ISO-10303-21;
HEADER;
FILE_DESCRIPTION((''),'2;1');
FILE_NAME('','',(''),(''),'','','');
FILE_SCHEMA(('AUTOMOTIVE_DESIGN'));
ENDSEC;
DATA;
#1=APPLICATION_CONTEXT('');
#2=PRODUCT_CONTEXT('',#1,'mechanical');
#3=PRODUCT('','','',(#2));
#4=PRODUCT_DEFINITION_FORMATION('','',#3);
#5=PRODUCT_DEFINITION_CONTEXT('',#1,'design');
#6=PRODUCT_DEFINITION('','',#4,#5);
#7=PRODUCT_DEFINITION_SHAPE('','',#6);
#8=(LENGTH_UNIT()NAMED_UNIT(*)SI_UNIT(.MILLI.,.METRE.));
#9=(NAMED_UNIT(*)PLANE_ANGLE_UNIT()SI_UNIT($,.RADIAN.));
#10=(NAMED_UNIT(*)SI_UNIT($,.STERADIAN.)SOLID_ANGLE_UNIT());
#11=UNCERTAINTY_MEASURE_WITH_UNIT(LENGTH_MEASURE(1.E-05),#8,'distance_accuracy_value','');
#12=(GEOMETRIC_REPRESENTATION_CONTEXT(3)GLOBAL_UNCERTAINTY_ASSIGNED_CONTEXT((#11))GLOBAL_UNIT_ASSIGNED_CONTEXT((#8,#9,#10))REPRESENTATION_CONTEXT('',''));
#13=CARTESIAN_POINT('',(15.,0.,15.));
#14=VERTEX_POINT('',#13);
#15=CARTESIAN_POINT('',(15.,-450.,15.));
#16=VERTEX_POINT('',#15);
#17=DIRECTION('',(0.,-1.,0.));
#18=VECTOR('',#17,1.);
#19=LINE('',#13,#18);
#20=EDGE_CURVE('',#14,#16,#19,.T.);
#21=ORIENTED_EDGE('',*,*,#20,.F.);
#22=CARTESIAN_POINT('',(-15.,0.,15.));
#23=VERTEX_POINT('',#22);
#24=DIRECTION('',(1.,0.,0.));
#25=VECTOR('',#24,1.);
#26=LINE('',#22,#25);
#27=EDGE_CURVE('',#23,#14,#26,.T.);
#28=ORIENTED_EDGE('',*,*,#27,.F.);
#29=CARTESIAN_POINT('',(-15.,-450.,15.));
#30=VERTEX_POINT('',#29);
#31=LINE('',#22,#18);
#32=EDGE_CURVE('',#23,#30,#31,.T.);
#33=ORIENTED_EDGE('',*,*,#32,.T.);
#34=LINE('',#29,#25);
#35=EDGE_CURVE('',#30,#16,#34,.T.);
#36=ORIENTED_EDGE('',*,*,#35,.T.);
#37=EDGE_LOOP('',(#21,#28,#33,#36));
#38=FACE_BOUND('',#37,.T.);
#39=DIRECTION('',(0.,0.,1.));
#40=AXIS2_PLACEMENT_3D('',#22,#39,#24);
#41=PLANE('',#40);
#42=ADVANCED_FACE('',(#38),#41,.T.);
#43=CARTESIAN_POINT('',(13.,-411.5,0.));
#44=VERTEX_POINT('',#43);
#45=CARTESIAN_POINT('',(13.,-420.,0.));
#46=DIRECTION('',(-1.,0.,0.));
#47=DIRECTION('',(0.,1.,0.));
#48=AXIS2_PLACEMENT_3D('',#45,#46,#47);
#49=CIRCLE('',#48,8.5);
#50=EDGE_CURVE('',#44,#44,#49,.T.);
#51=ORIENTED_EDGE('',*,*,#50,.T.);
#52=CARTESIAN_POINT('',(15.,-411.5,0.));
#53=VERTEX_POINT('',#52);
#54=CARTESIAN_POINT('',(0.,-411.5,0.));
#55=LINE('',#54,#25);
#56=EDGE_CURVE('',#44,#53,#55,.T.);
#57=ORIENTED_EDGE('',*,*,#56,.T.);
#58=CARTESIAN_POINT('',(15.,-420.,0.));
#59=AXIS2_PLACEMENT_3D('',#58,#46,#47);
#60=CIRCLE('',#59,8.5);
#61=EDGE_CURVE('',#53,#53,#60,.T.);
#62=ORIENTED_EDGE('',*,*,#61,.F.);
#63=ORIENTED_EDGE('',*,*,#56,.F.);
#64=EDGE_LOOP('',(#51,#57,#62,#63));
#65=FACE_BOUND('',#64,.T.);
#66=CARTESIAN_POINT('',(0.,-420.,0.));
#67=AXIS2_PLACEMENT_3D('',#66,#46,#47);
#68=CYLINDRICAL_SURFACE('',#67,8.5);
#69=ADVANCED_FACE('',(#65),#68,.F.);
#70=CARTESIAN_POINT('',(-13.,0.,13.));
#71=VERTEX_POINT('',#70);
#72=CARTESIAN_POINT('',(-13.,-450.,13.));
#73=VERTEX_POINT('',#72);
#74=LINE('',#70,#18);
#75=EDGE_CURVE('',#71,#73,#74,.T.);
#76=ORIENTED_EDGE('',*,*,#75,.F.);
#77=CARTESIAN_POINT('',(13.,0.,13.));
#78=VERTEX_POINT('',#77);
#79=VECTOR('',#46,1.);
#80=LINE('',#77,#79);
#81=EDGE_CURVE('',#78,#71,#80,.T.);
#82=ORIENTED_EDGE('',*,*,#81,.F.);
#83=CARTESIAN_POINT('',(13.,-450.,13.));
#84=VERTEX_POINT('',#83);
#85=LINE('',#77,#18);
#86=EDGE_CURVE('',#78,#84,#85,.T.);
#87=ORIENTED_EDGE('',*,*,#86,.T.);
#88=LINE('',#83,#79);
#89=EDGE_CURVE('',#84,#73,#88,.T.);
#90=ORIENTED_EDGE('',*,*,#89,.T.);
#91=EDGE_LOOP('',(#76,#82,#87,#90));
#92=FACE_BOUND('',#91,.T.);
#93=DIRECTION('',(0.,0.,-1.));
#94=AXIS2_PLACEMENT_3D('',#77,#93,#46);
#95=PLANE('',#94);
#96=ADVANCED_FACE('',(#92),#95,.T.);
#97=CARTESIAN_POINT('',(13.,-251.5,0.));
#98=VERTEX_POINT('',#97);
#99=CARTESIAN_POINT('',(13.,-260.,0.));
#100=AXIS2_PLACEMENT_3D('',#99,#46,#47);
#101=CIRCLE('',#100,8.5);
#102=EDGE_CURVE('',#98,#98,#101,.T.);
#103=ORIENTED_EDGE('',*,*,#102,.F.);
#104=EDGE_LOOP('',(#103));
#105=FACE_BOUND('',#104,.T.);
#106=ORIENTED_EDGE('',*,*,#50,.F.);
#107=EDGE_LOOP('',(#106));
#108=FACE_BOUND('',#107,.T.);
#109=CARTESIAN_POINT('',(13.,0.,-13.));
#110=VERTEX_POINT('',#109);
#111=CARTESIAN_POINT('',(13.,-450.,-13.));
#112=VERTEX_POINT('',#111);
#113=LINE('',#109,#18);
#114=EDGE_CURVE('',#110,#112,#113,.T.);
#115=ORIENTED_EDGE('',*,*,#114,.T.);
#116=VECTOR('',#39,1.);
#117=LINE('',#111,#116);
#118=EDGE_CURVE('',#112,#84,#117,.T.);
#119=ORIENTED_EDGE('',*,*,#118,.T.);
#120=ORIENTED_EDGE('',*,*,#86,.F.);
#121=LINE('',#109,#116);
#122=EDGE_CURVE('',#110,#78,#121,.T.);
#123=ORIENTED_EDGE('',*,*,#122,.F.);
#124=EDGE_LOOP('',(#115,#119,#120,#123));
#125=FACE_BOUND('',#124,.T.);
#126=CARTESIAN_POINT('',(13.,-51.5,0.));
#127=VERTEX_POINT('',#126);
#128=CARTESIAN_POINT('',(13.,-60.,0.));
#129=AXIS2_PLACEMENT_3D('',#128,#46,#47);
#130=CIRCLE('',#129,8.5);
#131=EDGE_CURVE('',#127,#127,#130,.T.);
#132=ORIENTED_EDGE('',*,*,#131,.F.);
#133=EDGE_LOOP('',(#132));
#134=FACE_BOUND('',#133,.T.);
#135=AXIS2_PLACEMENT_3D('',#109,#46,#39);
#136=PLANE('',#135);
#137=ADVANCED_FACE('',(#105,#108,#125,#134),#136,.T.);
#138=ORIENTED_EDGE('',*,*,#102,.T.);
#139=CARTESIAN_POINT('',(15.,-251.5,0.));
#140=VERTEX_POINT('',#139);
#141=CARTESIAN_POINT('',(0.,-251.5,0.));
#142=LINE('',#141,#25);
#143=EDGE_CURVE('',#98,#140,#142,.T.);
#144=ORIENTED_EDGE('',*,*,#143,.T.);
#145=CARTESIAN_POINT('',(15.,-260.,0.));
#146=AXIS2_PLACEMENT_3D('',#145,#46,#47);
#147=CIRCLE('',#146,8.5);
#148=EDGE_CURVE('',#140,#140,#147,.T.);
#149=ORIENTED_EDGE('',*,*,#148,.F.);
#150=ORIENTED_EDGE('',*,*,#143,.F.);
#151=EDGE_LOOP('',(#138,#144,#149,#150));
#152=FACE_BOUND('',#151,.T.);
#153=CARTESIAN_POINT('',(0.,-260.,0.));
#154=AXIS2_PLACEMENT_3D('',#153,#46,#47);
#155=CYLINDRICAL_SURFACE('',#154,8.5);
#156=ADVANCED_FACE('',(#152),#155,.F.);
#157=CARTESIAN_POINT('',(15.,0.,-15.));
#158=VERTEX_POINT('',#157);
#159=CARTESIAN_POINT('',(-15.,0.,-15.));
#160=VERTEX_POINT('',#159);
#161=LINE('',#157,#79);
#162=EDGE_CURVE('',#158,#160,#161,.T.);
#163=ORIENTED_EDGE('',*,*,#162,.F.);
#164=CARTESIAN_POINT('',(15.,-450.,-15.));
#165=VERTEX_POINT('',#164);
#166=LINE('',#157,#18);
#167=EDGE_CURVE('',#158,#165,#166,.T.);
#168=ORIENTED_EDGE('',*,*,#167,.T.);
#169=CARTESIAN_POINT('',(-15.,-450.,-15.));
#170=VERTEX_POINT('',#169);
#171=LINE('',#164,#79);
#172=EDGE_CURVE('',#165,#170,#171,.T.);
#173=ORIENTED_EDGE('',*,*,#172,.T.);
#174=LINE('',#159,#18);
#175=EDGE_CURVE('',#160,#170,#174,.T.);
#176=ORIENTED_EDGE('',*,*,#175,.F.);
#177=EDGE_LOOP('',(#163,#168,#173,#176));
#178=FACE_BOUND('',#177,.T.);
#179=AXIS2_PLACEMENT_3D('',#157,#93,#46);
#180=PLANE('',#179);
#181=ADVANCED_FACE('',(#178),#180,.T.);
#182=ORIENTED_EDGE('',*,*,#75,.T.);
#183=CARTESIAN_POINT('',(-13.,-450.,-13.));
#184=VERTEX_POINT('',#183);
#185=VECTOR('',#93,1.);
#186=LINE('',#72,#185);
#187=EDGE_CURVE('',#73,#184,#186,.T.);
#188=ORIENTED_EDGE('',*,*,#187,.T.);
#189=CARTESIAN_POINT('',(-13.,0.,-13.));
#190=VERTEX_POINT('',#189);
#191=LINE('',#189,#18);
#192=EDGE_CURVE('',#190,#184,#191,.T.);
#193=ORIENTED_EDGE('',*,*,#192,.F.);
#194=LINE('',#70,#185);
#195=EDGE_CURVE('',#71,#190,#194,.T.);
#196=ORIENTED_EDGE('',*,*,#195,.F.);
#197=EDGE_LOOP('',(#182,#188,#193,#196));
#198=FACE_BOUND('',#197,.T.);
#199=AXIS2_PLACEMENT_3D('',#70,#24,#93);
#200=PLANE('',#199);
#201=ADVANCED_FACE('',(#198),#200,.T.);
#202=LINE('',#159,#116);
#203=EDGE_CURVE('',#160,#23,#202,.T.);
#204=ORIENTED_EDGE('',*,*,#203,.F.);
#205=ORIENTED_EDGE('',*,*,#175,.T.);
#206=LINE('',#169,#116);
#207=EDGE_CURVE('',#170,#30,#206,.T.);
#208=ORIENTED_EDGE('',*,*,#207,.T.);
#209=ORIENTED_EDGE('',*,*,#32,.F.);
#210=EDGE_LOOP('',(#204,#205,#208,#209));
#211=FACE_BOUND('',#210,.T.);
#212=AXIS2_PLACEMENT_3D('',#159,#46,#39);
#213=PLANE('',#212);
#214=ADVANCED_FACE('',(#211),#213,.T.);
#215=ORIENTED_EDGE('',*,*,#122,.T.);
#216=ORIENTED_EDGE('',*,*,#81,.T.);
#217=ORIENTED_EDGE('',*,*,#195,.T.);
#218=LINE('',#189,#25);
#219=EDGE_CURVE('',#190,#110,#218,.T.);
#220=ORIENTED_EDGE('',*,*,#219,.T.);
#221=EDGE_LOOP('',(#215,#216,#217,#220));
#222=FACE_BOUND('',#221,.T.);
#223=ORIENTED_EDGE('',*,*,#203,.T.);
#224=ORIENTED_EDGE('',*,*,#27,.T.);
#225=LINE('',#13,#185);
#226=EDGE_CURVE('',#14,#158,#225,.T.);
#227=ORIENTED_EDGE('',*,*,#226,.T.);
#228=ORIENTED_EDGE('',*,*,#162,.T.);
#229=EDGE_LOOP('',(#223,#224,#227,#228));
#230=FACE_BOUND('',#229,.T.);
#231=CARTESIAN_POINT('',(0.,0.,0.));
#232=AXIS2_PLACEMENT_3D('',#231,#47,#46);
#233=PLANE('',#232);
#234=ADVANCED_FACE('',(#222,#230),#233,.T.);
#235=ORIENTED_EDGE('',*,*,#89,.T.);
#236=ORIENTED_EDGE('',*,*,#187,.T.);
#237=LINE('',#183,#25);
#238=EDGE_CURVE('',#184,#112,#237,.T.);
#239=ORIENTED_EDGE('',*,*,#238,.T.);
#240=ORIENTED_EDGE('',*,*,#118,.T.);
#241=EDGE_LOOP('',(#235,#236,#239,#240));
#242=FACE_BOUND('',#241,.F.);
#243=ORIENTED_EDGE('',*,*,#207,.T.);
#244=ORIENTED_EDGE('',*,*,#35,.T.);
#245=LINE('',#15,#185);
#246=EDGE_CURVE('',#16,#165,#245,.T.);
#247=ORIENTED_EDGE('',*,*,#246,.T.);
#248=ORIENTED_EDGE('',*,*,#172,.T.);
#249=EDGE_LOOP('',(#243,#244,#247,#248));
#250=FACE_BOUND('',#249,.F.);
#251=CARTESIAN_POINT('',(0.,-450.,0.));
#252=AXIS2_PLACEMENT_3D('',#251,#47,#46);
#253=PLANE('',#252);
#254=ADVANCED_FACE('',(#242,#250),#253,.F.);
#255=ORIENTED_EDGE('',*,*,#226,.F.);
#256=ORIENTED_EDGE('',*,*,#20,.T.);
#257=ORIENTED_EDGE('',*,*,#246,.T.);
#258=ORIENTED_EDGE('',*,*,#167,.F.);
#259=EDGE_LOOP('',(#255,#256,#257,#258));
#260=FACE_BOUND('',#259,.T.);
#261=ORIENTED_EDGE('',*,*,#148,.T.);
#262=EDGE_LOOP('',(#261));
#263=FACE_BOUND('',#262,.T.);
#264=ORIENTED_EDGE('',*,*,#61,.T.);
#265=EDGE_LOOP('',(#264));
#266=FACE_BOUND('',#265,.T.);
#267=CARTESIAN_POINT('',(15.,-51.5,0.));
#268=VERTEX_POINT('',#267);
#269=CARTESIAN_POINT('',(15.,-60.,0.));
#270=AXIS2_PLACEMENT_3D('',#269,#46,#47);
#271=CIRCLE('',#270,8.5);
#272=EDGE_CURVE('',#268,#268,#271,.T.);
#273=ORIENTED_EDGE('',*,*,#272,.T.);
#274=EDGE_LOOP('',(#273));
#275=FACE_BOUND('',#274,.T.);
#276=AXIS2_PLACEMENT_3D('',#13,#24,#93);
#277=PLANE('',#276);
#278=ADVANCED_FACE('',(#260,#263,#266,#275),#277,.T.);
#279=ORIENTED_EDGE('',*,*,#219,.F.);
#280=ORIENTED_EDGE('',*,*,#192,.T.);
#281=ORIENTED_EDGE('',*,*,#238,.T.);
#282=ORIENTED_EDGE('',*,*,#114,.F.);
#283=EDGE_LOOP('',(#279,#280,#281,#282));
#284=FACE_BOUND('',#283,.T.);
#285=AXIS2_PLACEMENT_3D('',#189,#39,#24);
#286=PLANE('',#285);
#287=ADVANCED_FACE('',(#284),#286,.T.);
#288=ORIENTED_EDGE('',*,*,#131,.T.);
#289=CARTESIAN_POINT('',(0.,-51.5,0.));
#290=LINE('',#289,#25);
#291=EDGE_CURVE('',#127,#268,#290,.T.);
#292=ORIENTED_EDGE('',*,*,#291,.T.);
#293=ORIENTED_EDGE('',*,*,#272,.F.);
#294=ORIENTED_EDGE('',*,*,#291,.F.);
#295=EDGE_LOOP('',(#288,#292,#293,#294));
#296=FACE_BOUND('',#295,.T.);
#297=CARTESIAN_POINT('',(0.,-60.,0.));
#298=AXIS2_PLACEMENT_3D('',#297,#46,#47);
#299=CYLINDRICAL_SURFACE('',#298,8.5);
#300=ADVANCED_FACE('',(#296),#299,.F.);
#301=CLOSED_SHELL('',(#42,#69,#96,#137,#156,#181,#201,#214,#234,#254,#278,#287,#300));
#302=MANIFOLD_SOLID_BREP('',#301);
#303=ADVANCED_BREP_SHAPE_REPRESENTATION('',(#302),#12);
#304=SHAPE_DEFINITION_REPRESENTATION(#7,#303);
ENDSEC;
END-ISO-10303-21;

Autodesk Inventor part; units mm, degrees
ref_plane "YZ Plane" through (0, 0, 0) normal (1, 0, 0) x (0, 1, 0)
ref_plane "XZ Plane" through (0, 0, 0) normal (0, 1, 0) x (-1, 0, 0)
ref_plane "XY Plane" through (0, 0, 0) normal (0, 0, 1) x (1, 0, 0)
sketch "Sketch9" plane through (0, 0, 0) normal (0, 1, 0) x (-1, 0, 0)
  line L0 (15, 15) -> (-15, 15)
  line L1 (-15, 15) -> (-15, -15)
  line L2 (-15, -15) -> (15, -15)
  line L3 (15, -15) -> (15, 15)
  line L4 (15, 15) -> (-15, -15) construction
  line L5 (-15, 15) -> (15, -15) construction
  line L6 (-13, 13) -> (13, 13)
  line L7 (13, 13) -> (13, -13)
  line L8 (13, -13) -> (-13, -13)
  line L9 (-13, -13) -> (-13, 13)
  point P0 (0, 0)
  dimension "d172" = 30
  dimension "d173" = 30
  dimension "d174" = 2
extrude "Extrusion3" add sketch "Sketch9" against normal blind 450
sketch "Sketch10" plane through (0, 0, 0) normal (1, 0, 0) x (0, 1, 0)
  line L0 (0, 15) -> (0, -15) construction
  line L1 (0, 15) -> (-450, 15) construction
  line L2 (-450, -15) -> (-450, 15) construction
  line L3 (0, -15) -> (-450, -15) construction
  line L4 (-68.5, 8.5) -> (-51.5, 8.5)
  line L5 (-51.5, 8.5) -> (-51.5, -8.5)
  line L6 (-51.5, -8.5) -> (-68.5, -8.5)
  line L7 (-68.5, -8.5) -> (-68.5, 8.5)
  line L8 (-68.5, 8.5) -> (-51.5, -8.5) construction
  line L9 (-51.5, 8.5) -> (-68.5, -8.5) construction
  line L10 (-268.5, 8.5) -> (-251.5, 8.5)
  line L11 (-251.5, 8.5) -> (-251.5, -8.5)
  line L12 (-251.5, -8.5) -> (-268.5, -8.5)
  line L13 (-268.5, -8.5) -> (-268.5, 8.5)
  line L14 (-268.5, 8.5) -> (-251.5, -8.5) construction
  line L15 (-251.5, 8.5) -> (-268.5, -8.5) construction
  line L16 (-428.5, 8.5) -> (-411.5, 8.5)
  line L17 (-411.5, 8.5) -> (-411.5, -8.5)
  line L18 (-411.5, -8.5) -> (-428.5, -8.5)
  line L19 (-428.5, -8.5) -> (-428.5, 8.5)
  line L20 (-428.5, 8.5) -> (-411.5, -8.5) construction
  line L21 (-411.5, 8.5) -> (-428.5, -8.5) construction
  circle A0 centre (-470, 0) radius 8.5
  line L22 (0, 0) -> (30, 0)
  circle A1 centre (-60, 0) radius 8.5
  circle A2 centre (-260, 0) radius 8.5
  circle A3 centre (-420, 0) radius 8.5
  dimension "d177" = 17
  dimension "d178" = 17
  dimension "d181" = 30
  dimension "d182" = 90
  dimension "d183" = 290
  dimension "d184" = 450
  dimension "d185" = 500
  dimension "d186" = 17
extrude "Extrusion4" cut sketch "Sketch10" along normal through all contours A1 | A2 | A3
properties part number "PNS 755 FDS 1200 way tube 2" material "Stainless Steel"
